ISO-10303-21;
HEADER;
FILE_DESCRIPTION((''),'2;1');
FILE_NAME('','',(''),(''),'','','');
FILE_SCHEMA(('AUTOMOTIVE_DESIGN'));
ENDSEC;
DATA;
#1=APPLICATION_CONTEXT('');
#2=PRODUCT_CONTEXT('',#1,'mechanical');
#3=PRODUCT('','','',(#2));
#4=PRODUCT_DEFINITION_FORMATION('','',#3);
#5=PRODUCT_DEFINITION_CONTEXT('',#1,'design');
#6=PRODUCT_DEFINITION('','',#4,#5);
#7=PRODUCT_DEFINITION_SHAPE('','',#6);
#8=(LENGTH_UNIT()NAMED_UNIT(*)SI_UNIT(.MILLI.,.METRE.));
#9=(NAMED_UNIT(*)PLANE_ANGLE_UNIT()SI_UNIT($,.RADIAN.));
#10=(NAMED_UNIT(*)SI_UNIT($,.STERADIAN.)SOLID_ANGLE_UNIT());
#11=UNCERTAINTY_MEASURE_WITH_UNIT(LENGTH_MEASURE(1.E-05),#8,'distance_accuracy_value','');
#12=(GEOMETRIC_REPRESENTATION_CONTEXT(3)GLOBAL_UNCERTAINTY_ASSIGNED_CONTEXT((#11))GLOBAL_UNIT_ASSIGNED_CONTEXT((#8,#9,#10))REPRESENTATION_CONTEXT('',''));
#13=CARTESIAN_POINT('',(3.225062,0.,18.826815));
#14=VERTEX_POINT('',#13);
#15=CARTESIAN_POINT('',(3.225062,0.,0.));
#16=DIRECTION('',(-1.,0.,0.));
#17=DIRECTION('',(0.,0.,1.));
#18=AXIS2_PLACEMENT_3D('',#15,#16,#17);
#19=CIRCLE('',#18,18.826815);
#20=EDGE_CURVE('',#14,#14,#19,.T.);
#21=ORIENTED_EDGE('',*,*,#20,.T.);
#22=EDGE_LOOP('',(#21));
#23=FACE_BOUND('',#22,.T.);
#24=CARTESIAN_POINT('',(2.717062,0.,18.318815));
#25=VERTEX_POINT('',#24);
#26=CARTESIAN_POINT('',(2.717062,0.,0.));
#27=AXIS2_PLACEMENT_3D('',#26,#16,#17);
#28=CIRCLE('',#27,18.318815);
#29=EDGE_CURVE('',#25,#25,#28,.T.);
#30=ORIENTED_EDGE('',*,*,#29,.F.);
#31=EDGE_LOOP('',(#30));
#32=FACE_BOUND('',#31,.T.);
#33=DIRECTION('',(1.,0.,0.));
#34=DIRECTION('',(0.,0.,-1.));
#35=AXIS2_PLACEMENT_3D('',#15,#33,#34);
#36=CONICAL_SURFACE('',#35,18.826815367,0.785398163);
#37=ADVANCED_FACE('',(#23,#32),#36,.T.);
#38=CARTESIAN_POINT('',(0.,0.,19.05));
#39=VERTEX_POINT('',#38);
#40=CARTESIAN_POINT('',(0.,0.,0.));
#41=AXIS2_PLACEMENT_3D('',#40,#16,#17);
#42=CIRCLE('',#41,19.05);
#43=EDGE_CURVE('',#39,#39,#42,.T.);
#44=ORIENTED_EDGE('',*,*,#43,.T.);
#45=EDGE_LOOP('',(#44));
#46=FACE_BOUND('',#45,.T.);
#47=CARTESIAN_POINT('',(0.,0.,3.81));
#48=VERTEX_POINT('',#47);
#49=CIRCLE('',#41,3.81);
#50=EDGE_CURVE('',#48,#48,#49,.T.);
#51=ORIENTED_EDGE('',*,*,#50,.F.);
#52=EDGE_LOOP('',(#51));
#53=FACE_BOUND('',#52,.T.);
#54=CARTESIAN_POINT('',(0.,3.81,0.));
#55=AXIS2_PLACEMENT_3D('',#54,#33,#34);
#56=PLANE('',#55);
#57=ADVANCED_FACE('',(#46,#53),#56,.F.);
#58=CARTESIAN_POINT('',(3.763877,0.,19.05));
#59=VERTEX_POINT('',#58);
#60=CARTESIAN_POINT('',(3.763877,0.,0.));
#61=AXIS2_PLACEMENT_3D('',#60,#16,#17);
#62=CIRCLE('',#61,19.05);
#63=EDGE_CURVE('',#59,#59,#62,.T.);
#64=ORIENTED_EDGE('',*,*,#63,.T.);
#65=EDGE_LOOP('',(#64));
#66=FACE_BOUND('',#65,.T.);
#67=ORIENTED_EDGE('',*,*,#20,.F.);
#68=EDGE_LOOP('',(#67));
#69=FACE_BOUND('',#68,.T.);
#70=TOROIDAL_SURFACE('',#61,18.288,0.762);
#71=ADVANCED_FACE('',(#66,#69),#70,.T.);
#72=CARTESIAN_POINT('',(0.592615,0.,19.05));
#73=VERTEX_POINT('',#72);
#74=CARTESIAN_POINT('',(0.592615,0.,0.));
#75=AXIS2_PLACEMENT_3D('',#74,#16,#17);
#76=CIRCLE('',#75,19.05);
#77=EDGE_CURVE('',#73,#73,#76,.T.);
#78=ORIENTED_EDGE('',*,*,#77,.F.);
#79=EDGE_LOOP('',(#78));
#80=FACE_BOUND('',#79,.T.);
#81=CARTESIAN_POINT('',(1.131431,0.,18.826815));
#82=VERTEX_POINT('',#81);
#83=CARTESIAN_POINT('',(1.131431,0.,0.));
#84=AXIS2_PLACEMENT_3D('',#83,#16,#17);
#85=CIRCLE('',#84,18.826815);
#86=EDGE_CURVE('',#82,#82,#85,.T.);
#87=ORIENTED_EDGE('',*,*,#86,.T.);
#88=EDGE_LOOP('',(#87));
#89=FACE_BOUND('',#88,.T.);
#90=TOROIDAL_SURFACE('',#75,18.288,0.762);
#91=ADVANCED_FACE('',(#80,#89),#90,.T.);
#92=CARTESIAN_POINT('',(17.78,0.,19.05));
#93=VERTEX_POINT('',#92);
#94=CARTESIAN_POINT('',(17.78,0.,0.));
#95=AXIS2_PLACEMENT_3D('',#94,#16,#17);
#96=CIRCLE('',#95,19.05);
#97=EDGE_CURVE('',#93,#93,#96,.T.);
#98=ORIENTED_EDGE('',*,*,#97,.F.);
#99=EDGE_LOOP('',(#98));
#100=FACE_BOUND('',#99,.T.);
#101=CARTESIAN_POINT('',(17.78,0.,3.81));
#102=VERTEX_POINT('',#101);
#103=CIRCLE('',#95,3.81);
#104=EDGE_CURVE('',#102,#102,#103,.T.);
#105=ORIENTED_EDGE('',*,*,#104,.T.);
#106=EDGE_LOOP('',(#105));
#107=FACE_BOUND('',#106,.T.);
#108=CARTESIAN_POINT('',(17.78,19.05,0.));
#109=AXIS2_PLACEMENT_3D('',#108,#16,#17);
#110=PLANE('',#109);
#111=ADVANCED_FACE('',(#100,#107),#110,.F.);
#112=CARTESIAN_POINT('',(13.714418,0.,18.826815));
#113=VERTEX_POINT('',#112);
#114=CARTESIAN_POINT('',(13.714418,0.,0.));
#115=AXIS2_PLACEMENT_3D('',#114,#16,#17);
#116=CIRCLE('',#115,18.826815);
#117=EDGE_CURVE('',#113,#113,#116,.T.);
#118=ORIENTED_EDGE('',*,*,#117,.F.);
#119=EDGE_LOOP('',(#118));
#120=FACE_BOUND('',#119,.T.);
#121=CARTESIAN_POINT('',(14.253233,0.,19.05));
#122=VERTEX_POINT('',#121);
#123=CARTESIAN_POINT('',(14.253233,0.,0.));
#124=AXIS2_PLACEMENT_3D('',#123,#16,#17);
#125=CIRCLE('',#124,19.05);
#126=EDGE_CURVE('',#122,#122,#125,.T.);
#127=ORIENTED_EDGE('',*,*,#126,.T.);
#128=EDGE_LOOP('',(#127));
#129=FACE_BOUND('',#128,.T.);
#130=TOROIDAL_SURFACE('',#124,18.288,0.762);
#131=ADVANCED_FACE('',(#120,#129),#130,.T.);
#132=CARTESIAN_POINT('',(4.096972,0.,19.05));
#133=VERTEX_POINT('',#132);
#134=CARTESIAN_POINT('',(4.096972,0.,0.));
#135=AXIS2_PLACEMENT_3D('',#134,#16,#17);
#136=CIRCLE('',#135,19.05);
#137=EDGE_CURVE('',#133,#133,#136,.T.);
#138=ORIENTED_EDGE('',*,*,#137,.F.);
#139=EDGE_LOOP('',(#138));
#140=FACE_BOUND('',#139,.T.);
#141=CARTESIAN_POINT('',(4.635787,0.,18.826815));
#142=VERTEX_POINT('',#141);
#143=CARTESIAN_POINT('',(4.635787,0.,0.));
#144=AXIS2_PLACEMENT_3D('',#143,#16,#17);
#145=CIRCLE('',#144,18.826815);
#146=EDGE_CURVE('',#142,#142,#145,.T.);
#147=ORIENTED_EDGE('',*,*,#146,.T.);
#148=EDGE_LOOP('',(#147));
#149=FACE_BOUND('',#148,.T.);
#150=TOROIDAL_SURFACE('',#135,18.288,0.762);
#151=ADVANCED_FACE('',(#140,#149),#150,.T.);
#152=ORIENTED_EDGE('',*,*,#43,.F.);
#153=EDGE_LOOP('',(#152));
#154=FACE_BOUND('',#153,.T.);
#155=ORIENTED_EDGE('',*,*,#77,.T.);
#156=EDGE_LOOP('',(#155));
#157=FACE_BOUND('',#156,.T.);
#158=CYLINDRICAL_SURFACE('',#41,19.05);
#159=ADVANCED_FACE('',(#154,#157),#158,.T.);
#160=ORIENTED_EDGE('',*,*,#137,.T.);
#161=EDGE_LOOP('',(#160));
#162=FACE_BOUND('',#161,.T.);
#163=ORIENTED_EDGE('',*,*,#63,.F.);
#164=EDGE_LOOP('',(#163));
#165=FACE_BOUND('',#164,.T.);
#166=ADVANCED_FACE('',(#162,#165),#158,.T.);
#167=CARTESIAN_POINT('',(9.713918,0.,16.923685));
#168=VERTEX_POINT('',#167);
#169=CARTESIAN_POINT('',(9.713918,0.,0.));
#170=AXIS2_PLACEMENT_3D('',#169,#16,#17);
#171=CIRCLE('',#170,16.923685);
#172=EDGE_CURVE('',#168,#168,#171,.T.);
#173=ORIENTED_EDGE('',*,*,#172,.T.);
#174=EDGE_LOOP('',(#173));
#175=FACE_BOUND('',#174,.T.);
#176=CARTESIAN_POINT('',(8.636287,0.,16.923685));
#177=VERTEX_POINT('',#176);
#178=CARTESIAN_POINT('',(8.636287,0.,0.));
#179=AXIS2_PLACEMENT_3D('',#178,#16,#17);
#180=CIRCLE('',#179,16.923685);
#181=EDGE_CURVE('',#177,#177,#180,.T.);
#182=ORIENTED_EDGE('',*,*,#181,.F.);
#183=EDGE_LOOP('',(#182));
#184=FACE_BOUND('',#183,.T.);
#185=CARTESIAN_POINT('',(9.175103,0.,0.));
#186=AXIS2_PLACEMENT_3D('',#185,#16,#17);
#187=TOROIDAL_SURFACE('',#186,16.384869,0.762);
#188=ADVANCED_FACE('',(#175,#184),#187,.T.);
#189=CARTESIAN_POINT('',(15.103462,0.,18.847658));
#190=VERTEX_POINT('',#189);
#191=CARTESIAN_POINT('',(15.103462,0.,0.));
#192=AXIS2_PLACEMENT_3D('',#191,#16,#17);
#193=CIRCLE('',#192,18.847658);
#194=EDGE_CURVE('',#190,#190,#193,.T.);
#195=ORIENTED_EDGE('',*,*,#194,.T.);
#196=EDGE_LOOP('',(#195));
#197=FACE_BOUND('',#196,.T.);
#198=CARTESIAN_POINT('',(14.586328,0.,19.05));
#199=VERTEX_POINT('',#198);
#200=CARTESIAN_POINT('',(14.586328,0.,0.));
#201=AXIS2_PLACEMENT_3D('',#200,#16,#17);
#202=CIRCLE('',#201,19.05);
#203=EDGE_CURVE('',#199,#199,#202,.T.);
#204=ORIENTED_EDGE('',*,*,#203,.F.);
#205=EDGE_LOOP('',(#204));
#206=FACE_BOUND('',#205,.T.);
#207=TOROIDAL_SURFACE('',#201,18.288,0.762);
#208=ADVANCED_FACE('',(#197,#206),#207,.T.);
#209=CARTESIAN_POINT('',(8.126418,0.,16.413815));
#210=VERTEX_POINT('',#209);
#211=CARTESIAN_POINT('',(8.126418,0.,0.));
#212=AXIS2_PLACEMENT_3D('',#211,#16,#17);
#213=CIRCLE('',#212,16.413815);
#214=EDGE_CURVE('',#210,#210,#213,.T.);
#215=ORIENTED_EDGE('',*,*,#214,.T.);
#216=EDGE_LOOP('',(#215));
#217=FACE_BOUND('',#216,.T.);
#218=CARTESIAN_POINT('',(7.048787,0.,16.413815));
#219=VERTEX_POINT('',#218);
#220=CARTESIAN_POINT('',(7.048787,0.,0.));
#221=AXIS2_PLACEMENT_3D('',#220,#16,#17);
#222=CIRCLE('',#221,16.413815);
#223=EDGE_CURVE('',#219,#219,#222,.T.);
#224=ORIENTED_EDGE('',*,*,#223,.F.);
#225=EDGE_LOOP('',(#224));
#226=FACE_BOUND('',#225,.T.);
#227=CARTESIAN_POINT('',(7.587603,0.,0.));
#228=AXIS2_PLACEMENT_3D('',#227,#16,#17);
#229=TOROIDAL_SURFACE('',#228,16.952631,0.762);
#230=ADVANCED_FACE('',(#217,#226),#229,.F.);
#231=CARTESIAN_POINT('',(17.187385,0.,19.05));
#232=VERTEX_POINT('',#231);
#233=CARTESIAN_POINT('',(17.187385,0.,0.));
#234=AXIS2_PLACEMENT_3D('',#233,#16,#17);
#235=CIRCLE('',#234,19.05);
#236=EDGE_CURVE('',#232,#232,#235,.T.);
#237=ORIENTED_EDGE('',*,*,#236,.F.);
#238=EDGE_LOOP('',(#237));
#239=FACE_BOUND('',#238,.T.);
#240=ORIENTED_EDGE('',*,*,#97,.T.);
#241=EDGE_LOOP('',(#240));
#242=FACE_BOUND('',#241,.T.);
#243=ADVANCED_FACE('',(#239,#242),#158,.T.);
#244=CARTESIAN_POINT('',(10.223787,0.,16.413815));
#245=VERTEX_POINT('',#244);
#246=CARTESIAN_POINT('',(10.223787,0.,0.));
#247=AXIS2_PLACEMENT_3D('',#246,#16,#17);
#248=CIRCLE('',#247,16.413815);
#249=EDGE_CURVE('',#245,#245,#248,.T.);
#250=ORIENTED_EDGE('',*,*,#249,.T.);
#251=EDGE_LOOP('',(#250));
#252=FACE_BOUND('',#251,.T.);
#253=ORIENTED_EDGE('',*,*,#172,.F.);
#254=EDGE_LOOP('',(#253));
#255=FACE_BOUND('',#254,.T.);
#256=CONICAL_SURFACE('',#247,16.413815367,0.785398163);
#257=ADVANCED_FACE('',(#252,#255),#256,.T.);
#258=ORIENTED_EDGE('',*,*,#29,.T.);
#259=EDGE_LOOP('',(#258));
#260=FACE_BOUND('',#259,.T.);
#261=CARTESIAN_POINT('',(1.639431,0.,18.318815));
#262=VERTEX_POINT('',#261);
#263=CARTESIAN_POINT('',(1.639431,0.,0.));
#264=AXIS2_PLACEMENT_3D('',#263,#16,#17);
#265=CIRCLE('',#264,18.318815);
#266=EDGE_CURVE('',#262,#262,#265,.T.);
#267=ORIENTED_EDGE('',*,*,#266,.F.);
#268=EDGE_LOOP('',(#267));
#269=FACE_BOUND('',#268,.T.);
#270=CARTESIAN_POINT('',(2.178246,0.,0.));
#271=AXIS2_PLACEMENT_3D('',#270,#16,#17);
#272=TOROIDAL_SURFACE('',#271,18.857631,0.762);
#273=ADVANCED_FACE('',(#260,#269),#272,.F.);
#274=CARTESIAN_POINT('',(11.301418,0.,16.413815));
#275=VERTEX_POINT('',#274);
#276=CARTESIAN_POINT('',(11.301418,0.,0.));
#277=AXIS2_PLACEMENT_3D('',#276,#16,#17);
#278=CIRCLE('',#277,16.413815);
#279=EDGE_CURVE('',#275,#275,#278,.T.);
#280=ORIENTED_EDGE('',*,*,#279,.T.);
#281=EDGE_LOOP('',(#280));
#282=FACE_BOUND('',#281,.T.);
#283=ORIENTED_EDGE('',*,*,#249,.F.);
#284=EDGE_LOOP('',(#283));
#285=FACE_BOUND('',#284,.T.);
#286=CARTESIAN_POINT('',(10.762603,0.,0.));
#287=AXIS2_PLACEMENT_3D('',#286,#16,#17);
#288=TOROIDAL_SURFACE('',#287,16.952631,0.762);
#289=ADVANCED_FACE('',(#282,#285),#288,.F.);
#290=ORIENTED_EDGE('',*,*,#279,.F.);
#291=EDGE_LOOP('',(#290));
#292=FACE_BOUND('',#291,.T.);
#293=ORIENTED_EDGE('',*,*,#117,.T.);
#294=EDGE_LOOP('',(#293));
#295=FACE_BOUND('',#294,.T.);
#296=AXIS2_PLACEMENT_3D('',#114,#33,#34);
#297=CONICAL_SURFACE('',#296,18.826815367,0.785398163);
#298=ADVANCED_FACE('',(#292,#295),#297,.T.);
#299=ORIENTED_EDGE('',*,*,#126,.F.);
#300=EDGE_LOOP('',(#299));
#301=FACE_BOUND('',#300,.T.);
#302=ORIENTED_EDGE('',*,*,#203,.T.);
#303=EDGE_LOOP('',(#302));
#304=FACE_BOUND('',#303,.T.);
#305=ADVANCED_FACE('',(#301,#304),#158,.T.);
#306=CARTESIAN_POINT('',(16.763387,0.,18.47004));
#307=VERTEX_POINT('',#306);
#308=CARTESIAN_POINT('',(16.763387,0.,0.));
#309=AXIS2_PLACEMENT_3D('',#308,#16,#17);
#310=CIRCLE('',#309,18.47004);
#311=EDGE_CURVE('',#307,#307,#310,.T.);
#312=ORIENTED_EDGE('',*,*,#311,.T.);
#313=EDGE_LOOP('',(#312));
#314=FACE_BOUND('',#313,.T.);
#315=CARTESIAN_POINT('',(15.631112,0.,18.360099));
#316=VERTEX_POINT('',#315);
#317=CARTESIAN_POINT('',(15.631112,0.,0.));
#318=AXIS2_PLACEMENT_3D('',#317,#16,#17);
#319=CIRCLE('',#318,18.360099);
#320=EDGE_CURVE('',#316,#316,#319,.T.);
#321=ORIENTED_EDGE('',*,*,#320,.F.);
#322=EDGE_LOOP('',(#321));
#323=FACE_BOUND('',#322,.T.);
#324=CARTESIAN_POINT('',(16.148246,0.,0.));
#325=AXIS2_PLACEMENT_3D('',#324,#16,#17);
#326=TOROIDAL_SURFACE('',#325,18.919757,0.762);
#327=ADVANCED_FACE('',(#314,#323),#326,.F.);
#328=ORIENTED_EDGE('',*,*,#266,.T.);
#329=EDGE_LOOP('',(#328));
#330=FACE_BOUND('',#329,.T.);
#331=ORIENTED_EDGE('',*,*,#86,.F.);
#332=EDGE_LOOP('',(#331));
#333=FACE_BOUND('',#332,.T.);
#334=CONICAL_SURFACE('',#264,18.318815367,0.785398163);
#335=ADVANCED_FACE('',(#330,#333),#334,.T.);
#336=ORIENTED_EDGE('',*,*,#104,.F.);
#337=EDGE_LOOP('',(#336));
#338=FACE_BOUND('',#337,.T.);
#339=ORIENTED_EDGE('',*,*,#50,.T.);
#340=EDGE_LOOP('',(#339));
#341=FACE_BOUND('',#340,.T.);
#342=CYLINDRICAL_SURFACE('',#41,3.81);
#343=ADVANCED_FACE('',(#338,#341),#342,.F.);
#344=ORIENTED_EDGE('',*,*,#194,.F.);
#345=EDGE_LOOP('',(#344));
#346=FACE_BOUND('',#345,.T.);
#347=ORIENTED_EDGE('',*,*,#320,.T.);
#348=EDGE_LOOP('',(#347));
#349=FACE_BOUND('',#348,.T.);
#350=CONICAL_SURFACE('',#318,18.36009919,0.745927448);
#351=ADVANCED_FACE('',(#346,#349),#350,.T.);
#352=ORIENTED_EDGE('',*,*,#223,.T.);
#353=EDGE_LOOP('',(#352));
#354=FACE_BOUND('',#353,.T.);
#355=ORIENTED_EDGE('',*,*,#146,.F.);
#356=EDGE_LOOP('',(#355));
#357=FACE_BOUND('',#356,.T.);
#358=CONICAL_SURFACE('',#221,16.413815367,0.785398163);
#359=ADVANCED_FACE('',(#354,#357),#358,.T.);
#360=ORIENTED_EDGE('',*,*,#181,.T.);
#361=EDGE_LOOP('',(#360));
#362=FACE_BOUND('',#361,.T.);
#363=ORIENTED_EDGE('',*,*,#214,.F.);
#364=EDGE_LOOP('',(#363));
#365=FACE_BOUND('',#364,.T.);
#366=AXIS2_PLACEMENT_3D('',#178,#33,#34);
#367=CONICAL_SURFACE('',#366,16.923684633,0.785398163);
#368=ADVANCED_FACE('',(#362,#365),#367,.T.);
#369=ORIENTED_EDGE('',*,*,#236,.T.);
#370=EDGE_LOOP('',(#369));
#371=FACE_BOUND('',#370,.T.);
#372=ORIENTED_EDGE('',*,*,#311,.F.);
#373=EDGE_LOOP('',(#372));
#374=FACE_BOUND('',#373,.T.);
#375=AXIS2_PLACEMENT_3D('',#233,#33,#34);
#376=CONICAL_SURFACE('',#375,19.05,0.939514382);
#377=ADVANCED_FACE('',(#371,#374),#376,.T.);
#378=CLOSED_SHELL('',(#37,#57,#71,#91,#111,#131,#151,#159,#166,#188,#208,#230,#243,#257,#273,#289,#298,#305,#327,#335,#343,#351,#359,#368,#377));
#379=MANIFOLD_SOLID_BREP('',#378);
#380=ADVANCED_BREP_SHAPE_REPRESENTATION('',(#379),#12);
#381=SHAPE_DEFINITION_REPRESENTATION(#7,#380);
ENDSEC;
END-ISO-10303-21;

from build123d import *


with BuildPart() as part:
    # Sketch1 → Revolve1 (revolve)
    with BuildSketch(Plane.XY, mode=Mode.PRIVATE) as revolve1_sk:
        with BuildLine():
            Line((0, 3.81), (0, 19.05))
            Line((0, 19.05), (0.59261541, 19.05))
            ThreePointArc((0.59261541, 19.05), (0.884220186, 18.991996204), (1.131430777, 18.826815367))
            Line((1.131430777, 18.826815367), (1.639430777, 18.318815367))
            ThreePointArc((1.639430777, 18.318815367), (2.178246145, 18.095630735), (2.717061512, 18.318815367))
            Line((2.717061512, 18.318815367), (3.225061512, 18.826815367))
            ThreePointArc((3.225061512, 18.826815367), (3.472272104, 18.991996204), (3.763876879, 19.05))
            Line((3.763876879, 19.05), (4.096971856, 19.05))
            ThreePointArc((4.096971856, 19.05), (4.388576631, 18.991996204), (4.635787223, 18.826815367))
            Line((4.635787223, 18.826815367), (7.048787223, 16.413815367))
            ThreePointArc((7.048787223, 16.413815367), (7.58760259, 16.190630735), (8.126417958, 16.413815367))
            Line((8.126417958, 16.413815367), (8.636287223, 16.923684633))
            ThreePointArc((8.636287223, 16.923684633), (9.17510259, 17.146869265), (9.713917958, 16.923684633))
            Line((9.713917958, 16.923684633), (10.223787223, 16.413815367))
            ThreePointArc((10.223787223, 16.413815367), (10.76260259, 16.190630735), (11.301417958, 16.413815367))
            Line((11.301417958, 16.413815367), (13.714417958, 18.826815367))
            ThreePointArc((13.714417958, 18.826815367), (13.961628549, 18.991996204), (14.253233325, 19.05))
            Line((14.253233325, 19.05), (14.586328302, 19.05))
            ThreePointArc((14.586328302, 19.05), (14.863983576, 18.997613661), (15.103462097, 18.847657608))
            Line((15.103462097, 18.847657608), (15.63111235, 18.36009919))
            ThreePointArc((15.63111235, 18.36009919), (16.22188765, 18.161323591), (16.763387099, 18.470039546))
            Line((16.763387099, 18.470039546), (17.18738459, 19.05))
            Line((17.18738459, 19.05), (17.78, 19.05))
            Line((17.78, 19.05), (17.78, 3.81))
            Line((17.78, 3.81), (0, 3.81))
        make_face()
    revolve(revolve1_sk.sketch.rotate(Axis((0, 0, 0), (1, 0, 0)), 90), axis=Axis((0, 0, 0), (1, 0, 0)))


solid = part.part
